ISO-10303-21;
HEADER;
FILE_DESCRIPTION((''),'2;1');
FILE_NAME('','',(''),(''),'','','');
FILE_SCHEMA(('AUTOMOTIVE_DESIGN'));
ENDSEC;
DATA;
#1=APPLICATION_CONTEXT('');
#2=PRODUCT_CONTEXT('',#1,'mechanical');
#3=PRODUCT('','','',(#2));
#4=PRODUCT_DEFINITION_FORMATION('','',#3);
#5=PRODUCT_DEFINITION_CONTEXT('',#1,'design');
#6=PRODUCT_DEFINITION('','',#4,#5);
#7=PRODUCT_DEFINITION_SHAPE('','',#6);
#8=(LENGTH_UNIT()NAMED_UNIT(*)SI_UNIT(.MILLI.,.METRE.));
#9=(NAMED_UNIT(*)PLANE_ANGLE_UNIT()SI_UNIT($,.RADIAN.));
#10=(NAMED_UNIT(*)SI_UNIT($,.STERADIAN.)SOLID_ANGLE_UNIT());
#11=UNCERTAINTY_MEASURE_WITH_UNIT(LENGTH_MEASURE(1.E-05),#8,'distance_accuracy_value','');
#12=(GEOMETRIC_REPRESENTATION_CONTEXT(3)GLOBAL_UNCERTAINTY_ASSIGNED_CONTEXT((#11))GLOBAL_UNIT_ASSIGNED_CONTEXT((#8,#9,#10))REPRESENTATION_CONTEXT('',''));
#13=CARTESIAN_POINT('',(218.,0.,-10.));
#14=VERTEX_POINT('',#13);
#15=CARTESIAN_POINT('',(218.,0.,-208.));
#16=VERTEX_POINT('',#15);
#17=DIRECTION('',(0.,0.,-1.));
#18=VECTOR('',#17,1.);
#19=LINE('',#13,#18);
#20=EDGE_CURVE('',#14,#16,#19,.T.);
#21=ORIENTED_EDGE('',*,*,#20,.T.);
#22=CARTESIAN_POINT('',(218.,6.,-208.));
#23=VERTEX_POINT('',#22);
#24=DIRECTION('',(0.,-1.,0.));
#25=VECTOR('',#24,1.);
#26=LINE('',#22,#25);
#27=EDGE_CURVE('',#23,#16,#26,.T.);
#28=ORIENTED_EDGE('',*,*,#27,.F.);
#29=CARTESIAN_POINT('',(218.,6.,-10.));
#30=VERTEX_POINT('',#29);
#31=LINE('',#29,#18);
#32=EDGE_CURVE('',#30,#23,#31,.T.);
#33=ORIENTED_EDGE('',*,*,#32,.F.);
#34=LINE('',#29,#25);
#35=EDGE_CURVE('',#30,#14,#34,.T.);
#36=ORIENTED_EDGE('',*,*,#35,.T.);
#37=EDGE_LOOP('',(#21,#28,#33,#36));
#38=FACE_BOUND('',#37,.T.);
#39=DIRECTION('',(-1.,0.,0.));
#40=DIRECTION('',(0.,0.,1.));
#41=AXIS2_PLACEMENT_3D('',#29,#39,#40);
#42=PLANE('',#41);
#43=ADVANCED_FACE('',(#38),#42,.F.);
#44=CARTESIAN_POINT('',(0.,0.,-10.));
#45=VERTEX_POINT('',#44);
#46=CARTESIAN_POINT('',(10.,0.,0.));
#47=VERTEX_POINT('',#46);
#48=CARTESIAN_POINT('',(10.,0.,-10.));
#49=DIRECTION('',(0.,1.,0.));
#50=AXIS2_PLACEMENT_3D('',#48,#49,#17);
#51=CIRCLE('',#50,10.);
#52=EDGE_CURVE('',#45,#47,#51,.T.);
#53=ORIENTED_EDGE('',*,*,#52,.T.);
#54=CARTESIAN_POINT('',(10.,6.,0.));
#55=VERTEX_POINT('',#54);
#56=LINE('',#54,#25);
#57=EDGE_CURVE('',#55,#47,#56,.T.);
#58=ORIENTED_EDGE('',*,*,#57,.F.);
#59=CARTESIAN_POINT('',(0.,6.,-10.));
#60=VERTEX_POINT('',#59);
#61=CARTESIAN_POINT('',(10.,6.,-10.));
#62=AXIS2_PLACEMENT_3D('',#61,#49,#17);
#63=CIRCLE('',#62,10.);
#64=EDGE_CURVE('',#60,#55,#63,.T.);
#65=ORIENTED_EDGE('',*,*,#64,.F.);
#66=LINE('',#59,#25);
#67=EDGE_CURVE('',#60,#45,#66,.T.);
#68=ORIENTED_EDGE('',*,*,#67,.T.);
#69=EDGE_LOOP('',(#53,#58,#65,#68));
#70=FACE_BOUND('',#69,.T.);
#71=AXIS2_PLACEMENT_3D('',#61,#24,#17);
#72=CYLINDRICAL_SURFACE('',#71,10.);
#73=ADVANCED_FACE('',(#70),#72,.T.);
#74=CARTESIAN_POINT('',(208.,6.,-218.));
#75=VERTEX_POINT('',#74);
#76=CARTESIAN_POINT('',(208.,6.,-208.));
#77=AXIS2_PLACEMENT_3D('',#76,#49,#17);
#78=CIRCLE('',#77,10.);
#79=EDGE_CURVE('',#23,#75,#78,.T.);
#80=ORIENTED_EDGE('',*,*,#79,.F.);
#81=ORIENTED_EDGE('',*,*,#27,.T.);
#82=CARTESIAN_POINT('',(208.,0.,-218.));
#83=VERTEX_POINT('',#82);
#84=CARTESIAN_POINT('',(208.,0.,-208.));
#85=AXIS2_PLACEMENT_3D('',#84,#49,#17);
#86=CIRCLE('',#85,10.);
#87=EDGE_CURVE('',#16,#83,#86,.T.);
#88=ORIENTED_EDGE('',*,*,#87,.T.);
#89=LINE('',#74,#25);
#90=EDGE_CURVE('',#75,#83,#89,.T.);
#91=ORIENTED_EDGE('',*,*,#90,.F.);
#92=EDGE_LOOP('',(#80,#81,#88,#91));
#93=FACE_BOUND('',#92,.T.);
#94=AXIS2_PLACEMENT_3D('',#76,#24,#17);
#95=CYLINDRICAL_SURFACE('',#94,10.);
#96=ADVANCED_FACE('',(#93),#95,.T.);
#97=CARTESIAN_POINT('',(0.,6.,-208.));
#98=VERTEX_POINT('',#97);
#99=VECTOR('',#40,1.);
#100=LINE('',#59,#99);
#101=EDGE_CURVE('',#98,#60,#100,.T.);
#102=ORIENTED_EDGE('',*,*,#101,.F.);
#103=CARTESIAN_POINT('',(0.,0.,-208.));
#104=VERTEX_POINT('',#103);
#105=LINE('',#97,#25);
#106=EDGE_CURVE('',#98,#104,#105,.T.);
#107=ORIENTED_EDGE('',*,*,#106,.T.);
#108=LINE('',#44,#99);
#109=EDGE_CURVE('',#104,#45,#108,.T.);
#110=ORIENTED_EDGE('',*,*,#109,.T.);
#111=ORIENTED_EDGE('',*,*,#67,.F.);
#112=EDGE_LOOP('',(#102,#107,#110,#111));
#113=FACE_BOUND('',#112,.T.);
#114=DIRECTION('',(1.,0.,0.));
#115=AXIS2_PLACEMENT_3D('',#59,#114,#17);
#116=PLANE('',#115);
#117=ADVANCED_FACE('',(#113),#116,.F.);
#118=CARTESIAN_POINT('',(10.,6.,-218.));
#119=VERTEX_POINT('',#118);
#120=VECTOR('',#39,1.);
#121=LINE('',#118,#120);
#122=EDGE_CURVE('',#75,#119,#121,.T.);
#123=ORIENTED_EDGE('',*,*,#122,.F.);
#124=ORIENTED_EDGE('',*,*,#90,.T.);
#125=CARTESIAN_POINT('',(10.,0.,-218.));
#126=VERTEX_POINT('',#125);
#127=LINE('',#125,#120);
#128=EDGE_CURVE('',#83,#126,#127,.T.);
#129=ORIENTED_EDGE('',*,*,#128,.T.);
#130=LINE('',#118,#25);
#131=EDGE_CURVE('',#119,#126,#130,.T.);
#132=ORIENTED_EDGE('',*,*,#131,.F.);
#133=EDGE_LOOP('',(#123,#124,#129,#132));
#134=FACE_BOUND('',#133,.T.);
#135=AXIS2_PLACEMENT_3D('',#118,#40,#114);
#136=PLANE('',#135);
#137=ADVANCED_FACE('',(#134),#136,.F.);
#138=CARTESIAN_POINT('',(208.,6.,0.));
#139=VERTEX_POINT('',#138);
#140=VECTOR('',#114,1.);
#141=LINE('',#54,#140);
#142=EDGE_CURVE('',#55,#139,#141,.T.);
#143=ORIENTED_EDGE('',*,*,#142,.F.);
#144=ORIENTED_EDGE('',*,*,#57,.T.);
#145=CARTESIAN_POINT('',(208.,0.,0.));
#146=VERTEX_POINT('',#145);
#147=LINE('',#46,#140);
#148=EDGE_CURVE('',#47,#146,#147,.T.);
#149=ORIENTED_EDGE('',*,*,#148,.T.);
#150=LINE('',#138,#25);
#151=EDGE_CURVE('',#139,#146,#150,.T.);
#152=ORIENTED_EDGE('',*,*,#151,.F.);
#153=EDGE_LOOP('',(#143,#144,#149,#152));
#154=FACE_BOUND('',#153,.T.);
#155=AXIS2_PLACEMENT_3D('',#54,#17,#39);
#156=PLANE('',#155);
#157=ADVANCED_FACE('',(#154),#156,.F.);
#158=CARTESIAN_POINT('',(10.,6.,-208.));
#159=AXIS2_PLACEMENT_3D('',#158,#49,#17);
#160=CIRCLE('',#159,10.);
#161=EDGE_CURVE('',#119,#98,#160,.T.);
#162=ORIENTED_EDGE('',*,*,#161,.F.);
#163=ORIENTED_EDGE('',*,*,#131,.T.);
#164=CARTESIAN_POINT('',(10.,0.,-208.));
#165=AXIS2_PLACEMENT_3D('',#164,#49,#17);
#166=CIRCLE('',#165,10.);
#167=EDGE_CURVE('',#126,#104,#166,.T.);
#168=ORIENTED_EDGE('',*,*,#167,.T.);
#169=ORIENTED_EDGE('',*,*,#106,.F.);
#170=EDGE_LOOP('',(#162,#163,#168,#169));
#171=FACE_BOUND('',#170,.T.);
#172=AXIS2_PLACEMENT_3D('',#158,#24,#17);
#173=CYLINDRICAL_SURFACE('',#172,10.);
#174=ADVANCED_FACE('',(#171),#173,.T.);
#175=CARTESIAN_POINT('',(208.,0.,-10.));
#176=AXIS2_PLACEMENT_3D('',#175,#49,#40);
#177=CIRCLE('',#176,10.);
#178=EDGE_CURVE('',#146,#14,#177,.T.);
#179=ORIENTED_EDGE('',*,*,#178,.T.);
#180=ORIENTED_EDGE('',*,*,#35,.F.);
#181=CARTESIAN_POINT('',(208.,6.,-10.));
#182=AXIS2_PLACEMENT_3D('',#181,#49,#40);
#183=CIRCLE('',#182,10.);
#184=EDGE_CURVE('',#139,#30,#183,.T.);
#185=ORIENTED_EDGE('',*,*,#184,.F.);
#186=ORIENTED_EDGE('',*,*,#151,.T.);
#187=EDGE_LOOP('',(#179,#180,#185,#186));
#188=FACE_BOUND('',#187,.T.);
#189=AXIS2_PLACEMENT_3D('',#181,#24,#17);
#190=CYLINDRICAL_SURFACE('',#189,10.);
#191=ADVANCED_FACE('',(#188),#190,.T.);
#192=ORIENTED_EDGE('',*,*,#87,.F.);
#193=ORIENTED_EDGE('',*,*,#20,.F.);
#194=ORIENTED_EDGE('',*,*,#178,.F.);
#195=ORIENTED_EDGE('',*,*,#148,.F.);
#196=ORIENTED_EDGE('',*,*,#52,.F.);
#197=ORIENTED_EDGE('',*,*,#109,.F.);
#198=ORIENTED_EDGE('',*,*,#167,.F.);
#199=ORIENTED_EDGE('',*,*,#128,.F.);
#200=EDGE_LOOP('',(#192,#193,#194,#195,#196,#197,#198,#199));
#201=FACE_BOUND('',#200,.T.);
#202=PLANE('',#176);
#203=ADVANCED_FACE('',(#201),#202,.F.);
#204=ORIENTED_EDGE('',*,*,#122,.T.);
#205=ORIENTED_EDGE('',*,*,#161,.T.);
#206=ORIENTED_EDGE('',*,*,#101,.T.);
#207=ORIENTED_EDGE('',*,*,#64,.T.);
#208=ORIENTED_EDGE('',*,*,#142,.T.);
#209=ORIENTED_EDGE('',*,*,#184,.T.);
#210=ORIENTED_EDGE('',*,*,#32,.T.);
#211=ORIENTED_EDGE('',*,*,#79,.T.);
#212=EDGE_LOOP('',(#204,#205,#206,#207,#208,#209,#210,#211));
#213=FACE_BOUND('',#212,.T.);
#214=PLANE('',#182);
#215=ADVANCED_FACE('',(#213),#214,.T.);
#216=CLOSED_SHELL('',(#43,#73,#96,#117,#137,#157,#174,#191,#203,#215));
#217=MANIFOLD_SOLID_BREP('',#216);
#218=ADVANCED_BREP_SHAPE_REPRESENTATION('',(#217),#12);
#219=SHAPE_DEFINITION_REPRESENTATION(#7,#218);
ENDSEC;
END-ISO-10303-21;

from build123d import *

# Parameters (mm, degrees)
BOSS_EXTRU_1_DEPTH = 6


with BuildPart() as part:
    # Esquisse1 → Boss.-Extru.1 (new body)
    with BuildSketch(Plane(origin=(0, 0, 0), x_dir=(1, 0, 0), z_dir=(0, 1, 0))):
        with BuildLine():
            Line((10, 0), (208, 0))
            ThreePointArc((208, 0), (215.071067812, 2.928932188), (218, 10))
            Line((218, 10), (218, 208))
            ThreePointArc((218, 208), (215.071067812, 215.071067812), (208, 218))
            Line((208, 218), (10, 218))
            ThreePointArc((10, 218), (2.928932188, 215.071067812), (0, 208))
            Line((0, 208), (0, 10))
            ThreePointArc((0, 10), (2.928932188, 2.928932188), (10, 0))
        make_face()
    extrude(amount=BOSS_EXTRU_1_DEPTH)


solid = part.part
